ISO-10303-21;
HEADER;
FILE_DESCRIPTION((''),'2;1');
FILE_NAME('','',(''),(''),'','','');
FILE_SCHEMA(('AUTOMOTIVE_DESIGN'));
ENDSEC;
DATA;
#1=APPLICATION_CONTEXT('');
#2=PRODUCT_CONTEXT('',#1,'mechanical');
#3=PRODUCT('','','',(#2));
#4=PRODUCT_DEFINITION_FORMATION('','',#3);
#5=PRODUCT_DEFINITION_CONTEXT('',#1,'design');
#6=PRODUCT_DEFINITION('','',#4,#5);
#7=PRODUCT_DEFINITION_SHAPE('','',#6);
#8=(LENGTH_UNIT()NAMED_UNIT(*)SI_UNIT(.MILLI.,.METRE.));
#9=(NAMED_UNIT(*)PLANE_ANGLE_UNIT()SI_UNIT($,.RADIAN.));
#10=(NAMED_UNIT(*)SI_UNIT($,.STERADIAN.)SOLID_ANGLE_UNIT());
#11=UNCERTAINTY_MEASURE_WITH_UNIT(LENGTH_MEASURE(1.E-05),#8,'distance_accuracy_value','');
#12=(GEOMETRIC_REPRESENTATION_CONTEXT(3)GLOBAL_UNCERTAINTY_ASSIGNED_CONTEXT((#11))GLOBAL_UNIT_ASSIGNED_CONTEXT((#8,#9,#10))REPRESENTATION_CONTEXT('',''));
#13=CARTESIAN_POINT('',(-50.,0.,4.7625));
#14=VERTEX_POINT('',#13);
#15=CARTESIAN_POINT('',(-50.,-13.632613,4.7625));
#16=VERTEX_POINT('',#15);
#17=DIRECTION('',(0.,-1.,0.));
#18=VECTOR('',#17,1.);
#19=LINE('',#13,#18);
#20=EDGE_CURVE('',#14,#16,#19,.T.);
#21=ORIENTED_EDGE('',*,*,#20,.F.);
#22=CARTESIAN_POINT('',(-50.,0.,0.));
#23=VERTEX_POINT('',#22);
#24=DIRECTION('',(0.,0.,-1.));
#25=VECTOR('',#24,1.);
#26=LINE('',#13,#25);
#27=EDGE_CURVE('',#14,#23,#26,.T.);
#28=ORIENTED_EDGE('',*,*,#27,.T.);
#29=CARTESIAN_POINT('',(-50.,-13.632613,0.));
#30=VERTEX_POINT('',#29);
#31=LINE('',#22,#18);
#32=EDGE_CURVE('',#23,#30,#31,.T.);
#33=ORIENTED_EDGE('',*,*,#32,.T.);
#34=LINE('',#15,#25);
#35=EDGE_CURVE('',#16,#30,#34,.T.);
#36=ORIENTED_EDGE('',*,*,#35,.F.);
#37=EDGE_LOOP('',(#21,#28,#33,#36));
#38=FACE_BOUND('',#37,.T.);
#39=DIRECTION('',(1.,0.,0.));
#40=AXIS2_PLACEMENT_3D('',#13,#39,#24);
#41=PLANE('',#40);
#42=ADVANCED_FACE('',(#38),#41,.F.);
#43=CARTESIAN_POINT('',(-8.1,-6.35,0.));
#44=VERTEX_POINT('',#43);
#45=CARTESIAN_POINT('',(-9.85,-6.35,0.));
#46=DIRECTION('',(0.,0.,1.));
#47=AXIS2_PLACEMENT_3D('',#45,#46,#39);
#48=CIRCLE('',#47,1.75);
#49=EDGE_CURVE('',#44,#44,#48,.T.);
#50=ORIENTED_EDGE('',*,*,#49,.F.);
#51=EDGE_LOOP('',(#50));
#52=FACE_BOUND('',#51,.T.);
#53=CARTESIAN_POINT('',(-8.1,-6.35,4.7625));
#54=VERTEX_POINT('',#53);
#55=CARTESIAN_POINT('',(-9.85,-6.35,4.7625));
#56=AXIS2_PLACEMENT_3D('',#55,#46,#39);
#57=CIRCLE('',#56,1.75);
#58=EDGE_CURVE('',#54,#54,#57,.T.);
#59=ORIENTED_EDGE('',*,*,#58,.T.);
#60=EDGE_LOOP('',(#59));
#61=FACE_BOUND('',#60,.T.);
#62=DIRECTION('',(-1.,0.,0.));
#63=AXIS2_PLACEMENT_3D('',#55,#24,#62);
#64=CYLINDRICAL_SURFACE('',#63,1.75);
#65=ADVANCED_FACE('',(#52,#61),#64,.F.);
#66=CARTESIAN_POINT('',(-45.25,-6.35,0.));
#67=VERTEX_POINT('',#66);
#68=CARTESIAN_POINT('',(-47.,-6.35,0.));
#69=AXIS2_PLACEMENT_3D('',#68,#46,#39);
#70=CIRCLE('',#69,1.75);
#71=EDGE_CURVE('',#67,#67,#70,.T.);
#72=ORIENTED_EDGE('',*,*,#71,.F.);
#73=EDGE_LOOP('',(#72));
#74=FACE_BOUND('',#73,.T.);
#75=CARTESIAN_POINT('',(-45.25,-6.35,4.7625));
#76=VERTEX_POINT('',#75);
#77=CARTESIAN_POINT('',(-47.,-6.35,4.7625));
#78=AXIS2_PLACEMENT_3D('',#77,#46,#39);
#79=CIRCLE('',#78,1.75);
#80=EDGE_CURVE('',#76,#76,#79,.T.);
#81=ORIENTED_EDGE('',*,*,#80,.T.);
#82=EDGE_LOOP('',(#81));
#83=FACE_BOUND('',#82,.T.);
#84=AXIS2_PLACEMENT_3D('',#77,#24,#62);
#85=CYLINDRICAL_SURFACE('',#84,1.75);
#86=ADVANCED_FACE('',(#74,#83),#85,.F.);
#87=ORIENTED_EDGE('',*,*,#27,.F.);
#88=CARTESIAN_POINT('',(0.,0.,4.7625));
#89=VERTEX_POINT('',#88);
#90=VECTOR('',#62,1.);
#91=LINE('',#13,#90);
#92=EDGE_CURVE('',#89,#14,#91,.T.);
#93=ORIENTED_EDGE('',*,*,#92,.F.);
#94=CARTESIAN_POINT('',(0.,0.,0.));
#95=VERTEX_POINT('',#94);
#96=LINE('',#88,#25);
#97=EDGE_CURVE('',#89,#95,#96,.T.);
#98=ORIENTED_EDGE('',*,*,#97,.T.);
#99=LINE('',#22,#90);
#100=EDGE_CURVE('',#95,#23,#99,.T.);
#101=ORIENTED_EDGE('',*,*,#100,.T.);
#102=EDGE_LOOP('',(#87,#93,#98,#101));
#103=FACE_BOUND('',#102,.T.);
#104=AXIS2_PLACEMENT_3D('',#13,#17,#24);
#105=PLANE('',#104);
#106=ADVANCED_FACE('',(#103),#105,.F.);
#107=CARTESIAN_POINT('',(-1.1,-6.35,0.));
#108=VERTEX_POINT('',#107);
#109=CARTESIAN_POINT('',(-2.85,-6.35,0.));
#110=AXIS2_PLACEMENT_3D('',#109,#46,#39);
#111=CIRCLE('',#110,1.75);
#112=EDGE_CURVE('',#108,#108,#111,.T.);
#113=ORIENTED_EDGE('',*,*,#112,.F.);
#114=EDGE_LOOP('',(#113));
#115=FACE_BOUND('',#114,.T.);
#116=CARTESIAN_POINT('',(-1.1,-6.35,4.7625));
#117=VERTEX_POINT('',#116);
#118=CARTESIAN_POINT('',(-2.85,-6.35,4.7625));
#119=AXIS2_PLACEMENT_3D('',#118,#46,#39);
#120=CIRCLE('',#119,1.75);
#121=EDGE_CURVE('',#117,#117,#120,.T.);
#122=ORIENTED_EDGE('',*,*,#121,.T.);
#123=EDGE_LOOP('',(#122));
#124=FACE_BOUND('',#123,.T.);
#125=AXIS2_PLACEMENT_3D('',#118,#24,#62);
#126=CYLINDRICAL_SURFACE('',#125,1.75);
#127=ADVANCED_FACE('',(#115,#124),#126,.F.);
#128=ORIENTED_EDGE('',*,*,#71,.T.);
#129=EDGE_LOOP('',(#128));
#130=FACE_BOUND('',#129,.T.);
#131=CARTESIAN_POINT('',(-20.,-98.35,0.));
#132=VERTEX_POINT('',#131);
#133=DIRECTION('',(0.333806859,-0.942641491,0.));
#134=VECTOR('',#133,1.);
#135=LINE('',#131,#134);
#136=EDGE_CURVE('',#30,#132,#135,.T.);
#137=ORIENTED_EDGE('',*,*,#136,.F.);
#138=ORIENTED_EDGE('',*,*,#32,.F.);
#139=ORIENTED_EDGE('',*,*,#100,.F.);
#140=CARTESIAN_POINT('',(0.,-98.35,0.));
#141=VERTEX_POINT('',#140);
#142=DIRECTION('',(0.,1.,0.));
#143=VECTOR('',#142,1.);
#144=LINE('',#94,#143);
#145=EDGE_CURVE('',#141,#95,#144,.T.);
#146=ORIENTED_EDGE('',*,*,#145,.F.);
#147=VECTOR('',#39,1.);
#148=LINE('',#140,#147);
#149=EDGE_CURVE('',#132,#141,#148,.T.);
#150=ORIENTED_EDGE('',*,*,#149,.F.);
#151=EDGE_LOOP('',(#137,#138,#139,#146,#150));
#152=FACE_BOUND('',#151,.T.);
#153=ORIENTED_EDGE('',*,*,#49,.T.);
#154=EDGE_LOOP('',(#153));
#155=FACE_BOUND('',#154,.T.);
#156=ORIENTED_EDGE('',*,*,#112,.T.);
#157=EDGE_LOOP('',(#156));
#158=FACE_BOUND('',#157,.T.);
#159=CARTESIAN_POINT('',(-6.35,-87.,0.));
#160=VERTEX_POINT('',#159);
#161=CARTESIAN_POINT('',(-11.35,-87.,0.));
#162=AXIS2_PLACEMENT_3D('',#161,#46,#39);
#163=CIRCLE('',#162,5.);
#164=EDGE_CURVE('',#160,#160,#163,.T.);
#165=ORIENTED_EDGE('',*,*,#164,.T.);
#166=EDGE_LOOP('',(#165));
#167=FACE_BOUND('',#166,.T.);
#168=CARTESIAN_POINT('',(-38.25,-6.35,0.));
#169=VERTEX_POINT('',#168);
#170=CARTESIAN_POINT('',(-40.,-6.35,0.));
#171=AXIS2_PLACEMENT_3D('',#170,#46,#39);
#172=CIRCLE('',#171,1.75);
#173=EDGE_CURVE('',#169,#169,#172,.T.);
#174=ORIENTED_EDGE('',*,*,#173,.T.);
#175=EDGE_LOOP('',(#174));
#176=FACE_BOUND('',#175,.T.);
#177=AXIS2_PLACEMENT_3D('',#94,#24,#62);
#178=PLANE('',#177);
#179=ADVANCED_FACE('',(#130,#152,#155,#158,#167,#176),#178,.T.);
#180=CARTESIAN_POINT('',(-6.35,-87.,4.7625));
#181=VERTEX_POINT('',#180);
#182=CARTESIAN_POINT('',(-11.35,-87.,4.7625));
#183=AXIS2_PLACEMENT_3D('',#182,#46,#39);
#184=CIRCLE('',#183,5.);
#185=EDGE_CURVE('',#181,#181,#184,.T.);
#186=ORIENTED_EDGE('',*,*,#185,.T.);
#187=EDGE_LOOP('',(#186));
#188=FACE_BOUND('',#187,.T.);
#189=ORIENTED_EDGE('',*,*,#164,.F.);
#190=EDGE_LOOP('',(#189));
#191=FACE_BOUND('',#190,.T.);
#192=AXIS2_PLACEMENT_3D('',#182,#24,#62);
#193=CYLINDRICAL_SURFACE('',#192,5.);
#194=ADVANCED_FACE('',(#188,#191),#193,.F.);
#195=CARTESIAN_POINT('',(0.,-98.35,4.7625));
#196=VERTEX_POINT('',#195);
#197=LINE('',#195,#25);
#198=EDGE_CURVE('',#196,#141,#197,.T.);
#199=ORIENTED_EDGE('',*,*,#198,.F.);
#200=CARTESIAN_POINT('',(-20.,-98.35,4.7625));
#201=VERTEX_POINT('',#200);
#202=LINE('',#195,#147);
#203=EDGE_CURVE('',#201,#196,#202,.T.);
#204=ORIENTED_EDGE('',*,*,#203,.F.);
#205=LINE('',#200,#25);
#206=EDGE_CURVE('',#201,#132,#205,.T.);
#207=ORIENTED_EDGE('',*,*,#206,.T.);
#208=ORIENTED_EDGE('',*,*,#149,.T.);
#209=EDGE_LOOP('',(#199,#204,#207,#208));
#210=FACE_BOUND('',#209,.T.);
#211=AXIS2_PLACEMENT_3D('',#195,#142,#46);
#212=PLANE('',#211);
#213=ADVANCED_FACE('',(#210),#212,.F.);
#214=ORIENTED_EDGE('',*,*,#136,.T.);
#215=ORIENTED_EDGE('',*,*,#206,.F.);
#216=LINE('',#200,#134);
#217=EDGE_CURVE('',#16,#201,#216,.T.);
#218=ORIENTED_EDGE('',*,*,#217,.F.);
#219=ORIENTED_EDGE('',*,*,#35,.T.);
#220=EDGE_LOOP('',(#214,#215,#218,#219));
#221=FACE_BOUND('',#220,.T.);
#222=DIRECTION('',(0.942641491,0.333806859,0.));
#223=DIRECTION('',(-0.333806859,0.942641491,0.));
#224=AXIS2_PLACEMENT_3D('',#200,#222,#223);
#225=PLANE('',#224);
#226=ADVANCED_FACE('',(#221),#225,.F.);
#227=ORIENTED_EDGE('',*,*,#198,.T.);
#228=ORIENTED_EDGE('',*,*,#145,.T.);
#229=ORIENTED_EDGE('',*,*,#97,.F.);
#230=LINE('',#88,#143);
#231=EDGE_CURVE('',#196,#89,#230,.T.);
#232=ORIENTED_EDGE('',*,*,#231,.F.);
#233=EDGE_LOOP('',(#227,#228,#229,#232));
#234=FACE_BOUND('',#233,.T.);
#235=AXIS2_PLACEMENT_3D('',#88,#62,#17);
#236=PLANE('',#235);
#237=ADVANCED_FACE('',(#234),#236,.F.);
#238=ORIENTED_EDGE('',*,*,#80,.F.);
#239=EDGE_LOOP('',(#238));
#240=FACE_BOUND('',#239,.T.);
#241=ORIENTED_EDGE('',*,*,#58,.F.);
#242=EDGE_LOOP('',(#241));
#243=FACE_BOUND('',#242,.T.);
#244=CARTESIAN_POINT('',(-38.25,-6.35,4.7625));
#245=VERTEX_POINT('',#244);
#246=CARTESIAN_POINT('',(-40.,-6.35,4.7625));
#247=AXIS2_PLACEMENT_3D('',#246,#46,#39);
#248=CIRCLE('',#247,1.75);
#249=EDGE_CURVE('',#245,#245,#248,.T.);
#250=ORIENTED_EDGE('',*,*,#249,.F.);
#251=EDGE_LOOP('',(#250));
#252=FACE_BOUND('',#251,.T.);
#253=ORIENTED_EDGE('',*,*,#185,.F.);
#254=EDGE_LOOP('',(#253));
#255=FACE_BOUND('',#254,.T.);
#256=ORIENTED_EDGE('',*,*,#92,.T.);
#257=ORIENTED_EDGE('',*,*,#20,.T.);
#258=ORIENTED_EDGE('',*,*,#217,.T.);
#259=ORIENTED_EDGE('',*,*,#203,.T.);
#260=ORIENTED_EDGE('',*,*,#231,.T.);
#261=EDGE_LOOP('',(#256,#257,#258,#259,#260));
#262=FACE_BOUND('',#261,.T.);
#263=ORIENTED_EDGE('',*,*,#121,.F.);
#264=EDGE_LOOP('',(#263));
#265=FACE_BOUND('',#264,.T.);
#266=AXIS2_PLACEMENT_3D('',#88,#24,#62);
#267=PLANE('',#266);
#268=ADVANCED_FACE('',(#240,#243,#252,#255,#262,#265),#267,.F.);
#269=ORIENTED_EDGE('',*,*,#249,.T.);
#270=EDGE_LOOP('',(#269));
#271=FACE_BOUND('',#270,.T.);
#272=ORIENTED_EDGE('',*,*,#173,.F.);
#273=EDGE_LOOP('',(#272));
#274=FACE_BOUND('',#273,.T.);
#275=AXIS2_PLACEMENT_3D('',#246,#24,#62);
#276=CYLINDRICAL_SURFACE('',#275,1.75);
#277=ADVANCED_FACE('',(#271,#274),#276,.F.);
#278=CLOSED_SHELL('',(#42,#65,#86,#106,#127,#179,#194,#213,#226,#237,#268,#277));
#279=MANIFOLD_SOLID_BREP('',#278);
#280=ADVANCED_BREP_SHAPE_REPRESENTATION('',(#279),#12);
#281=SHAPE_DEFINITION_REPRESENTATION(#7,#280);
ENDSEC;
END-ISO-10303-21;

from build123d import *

# Parameters (mm, degrees)
CROQUIS1_R              = 1.75
CROQUIS1_R_2            = 5
SALIENTE_EXTRUIR1_DEPTH = 4.7625


with BuildPart() as part:
    # Croquis1 → Saliente-Extruir1 (new body)
    with BuildSketch(Plane.XY):
        Polygon((0, 0), (0, -98.35), (-20, -98.35), (-50, -13.632613432), (-50, 0), align=None)
        with Locations((-2.85, -6.35)):
            Circle(CROQUIS1_R, mode=Mode.SUBTRACT)
        with Locations((-9.85, -6.35)):
            Circle(CROQUIS1_R, mode=Mode.SUBTRACT)
        with Locations((-40, -6.35)):
            Circle(CROQUIS1_R, mode=Mode.SUBTRACT)
        with Locations((-47, -6.35)):
            Circle(CROQUIS1_R, mode=Mode.SUBTRACT)
        with Locations((-11.35, -87)):
            Circle(CROQUIS1_R_2, mode=Mode.SUBTRACT)
    extrude(amount=SALIENTE_EXTRUIR1_DEPTH)


solid = part.part
